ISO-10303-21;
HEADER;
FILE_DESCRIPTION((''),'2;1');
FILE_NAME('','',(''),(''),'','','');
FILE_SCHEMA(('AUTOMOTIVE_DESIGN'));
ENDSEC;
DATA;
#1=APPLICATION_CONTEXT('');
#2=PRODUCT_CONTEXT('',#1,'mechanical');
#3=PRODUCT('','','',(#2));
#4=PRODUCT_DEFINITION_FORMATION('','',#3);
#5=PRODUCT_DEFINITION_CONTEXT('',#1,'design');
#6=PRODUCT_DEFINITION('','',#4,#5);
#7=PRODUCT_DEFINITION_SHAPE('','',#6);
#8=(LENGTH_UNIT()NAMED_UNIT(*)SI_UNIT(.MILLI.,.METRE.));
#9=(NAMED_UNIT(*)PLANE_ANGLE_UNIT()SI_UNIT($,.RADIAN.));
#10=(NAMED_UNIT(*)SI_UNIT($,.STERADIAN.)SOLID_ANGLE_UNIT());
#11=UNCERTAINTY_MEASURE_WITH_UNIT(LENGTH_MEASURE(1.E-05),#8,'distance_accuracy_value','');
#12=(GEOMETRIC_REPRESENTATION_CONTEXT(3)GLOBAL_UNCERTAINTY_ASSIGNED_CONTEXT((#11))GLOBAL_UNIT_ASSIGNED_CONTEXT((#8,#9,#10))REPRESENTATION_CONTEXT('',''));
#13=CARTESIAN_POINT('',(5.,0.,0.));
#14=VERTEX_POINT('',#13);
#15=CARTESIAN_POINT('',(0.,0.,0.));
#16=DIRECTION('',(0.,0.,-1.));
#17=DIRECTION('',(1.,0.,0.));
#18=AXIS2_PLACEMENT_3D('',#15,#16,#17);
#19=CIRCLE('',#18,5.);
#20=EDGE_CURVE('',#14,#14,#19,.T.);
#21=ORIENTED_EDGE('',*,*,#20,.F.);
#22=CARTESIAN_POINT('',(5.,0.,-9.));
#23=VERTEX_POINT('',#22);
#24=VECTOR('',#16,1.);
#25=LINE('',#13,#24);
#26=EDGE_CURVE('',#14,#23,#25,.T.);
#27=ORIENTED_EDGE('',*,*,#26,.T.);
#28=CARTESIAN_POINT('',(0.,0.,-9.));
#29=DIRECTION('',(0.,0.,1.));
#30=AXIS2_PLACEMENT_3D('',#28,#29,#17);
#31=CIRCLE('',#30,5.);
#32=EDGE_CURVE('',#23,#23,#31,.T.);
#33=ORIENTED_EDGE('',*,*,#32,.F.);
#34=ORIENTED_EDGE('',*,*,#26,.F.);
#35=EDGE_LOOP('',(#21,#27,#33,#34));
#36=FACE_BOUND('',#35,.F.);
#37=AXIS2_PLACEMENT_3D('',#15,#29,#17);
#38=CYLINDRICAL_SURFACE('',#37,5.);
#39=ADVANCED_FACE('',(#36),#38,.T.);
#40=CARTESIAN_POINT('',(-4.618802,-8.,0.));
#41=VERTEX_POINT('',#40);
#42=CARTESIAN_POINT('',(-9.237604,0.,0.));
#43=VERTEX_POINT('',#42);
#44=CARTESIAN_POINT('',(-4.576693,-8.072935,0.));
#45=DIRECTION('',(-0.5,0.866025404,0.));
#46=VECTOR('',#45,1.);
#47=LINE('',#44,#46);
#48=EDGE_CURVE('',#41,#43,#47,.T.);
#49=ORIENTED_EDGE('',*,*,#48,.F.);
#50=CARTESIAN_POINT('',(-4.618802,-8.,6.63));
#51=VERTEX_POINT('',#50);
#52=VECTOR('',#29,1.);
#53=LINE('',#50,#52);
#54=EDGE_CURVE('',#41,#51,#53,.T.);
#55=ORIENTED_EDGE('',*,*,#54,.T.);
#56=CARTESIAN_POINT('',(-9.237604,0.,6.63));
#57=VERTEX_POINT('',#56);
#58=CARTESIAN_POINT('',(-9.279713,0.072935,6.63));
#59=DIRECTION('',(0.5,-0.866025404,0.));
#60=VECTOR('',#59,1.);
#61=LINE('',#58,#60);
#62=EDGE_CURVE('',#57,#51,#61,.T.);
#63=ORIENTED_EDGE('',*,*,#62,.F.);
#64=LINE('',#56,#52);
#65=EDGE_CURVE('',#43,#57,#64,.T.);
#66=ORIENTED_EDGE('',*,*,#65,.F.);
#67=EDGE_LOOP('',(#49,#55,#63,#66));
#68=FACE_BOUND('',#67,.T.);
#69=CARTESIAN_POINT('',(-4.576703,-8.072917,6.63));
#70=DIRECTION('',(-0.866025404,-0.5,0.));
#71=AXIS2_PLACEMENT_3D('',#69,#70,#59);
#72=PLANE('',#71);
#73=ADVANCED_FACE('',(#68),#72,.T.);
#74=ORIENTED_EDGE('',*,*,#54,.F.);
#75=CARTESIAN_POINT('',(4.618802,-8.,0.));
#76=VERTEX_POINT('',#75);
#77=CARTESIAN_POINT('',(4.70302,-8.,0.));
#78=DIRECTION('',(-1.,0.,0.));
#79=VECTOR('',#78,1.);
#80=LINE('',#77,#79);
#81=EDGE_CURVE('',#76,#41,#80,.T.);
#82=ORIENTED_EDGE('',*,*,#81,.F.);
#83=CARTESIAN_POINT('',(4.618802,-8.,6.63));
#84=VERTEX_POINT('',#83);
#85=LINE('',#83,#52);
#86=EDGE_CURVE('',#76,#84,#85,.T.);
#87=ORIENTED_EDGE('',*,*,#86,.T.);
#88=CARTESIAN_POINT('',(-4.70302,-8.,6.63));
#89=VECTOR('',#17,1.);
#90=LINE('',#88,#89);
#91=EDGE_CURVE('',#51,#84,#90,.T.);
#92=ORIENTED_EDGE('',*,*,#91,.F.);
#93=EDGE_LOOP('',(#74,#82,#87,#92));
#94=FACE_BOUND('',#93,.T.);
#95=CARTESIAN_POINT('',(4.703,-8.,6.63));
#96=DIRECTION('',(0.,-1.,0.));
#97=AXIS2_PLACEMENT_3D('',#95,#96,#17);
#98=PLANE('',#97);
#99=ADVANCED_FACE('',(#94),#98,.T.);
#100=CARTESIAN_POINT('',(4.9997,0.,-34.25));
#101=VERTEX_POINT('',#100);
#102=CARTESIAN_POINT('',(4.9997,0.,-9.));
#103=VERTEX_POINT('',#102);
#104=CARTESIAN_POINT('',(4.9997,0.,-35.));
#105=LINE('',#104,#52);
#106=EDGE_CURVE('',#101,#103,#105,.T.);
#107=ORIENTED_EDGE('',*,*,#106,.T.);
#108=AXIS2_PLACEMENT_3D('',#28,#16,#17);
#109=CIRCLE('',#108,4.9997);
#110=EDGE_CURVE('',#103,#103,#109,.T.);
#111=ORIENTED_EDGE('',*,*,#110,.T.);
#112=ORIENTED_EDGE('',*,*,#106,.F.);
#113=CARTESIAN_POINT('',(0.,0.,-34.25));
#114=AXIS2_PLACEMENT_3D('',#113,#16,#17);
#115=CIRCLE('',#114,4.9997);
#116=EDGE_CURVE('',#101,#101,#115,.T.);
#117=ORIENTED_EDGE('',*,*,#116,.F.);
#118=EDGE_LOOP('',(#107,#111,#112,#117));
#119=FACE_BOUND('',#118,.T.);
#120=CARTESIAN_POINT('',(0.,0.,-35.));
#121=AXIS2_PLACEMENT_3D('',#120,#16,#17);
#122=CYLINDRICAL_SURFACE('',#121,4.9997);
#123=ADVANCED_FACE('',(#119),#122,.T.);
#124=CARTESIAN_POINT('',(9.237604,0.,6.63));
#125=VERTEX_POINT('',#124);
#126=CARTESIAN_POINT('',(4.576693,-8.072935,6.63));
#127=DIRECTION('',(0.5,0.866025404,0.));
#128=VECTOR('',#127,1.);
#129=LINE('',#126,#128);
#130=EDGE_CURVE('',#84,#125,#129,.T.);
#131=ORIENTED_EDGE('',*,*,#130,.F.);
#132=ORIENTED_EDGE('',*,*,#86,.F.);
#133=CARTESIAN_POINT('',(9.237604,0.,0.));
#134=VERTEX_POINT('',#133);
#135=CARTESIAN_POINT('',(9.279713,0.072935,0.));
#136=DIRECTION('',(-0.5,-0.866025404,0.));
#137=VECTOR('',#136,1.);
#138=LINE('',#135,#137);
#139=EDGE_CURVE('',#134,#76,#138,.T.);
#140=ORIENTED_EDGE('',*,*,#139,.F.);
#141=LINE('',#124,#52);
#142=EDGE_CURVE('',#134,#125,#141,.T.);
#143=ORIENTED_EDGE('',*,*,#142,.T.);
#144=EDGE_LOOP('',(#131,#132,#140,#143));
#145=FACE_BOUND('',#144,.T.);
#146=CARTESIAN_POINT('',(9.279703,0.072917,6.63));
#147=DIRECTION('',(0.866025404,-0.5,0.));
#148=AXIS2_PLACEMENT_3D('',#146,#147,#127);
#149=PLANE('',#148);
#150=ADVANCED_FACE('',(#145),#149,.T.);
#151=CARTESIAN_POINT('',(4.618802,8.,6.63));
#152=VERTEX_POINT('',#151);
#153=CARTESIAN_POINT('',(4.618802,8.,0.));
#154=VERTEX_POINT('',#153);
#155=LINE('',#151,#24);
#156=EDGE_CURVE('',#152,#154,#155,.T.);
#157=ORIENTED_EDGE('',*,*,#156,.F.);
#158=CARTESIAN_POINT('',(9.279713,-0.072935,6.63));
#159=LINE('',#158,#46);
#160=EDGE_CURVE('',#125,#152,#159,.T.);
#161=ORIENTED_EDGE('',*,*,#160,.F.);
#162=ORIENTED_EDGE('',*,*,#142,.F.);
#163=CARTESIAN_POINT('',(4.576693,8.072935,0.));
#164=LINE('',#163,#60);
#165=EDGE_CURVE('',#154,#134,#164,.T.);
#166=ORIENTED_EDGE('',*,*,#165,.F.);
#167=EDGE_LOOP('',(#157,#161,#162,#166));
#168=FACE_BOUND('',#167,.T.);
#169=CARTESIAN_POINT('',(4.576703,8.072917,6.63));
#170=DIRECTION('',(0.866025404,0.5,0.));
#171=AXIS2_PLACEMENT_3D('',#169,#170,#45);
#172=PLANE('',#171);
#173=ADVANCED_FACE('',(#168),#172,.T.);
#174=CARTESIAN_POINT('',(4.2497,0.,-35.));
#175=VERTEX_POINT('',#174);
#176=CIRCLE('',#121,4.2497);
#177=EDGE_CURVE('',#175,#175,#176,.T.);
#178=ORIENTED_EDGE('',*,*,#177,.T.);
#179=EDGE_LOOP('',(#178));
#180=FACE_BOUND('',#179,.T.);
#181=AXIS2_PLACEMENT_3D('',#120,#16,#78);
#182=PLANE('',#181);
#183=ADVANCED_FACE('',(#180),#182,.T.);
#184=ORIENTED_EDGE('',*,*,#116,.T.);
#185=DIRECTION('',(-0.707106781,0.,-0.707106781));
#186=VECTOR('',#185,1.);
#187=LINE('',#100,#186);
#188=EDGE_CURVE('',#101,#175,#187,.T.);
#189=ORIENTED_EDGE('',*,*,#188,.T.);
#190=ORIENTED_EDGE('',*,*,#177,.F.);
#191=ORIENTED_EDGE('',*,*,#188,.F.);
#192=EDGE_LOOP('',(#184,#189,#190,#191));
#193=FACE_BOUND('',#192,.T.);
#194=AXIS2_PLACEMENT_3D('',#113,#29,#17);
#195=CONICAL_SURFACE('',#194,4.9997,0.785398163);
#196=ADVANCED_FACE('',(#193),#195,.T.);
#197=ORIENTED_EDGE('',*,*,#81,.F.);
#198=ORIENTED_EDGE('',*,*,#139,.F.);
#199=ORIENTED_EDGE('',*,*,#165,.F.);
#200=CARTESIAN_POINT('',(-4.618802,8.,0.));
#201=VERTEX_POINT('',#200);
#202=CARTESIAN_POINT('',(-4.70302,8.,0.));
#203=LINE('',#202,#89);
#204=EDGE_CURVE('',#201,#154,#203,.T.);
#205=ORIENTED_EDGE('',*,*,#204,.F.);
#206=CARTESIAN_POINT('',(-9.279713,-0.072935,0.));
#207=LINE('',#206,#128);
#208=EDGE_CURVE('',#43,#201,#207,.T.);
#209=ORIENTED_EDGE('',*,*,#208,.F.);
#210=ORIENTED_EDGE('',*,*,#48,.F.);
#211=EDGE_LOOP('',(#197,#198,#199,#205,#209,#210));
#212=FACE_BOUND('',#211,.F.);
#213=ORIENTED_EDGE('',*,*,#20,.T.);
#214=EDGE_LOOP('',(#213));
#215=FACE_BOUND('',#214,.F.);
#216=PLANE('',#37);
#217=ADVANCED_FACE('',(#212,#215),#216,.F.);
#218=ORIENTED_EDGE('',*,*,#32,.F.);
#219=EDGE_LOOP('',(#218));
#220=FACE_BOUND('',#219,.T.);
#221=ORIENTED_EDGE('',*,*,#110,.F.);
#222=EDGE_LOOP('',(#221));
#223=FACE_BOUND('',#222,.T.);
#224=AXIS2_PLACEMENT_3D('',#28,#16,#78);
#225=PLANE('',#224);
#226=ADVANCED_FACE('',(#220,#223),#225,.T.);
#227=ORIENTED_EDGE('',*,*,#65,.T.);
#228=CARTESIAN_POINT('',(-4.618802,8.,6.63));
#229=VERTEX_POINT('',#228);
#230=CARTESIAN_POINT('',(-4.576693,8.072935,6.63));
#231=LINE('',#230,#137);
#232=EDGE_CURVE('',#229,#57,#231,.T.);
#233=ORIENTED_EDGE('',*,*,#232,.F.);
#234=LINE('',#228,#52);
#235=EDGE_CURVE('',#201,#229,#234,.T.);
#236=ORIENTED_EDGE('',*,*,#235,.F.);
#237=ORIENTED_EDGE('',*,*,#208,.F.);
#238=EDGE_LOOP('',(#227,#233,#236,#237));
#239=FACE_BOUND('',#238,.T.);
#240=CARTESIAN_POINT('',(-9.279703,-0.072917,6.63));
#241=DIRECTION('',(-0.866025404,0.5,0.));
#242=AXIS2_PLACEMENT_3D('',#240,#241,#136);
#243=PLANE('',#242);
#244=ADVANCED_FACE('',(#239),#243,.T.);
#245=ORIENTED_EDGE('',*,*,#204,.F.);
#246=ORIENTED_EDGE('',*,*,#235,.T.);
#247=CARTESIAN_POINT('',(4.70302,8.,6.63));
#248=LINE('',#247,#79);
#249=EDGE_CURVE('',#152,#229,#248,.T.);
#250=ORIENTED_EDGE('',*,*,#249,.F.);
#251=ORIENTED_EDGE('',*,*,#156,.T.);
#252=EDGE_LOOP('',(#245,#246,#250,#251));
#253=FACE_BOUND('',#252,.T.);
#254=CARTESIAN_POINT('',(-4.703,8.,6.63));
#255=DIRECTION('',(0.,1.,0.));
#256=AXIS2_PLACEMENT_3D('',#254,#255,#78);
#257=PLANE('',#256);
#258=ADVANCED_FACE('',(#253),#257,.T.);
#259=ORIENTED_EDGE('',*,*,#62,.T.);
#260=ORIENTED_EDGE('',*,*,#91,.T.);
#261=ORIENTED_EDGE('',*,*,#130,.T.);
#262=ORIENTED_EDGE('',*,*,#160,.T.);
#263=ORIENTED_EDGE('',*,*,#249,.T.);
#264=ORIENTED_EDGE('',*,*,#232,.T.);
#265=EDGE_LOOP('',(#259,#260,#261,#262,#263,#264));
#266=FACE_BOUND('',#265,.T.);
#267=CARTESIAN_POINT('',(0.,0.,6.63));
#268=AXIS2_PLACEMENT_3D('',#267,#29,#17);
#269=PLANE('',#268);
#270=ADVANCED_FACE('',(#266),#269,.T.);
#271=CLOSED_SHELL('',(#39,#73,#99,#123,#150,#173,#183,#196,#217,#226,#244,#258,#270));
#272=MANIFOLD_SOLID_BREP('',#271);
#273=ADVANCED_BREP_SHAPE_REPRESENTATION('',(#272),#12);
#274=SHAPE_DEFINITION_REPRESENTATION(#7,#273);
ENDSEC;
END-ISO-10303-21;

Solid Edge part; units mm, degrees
sketch "Sketch1" plane through (0, 0, 0) normal (0, 0, 1) x (1, 0, 0)
  circle A0 centre (0, 0) radius 9.28
  dimension "D1" = 18.56
extrude "Protrusion1" add sketch "Sketch1" along normal blind 6.63
sketch "Sketch2" plane through (0, 0, 0) normal (0, 0, -1) x (1, 0, 0)
  circle A0 centre (0, 0) radius 5
extrude "Protrusion2" add sketch "Sketch2" along normal blind 35
sketch "Sketch3" plane through (0, 0, -35) normal (0, 0, -1) x (1, 0, 0)
  circle A0 centre (0, 0) radius 4.9997
extrude "Cutout1" cut sketch "Sketch3" against normal blind 26 flip side to cut
chamfer "Chamfer_1" distance 0.75 angle 45 1 edges at (-4.9997, 0, -35)
sketch "Sketch4" plane through (0, 0, 6.63) normal (0, 0, 1) x (1, 0, 0)
  line L0 (-4.703, 8) -> (4.703, 8)
  dimension "D1" = 16
extrude "Cutout2" cut sketch "Sketch4" against normal up to next material side at (0, 8.05, 6.63)
pattern_circular "Pattern1" count 6 over 360 about axis through (0, 0, 6.63) along (0, 0, 1) of "Cutout2"
properties part number "24106027"
